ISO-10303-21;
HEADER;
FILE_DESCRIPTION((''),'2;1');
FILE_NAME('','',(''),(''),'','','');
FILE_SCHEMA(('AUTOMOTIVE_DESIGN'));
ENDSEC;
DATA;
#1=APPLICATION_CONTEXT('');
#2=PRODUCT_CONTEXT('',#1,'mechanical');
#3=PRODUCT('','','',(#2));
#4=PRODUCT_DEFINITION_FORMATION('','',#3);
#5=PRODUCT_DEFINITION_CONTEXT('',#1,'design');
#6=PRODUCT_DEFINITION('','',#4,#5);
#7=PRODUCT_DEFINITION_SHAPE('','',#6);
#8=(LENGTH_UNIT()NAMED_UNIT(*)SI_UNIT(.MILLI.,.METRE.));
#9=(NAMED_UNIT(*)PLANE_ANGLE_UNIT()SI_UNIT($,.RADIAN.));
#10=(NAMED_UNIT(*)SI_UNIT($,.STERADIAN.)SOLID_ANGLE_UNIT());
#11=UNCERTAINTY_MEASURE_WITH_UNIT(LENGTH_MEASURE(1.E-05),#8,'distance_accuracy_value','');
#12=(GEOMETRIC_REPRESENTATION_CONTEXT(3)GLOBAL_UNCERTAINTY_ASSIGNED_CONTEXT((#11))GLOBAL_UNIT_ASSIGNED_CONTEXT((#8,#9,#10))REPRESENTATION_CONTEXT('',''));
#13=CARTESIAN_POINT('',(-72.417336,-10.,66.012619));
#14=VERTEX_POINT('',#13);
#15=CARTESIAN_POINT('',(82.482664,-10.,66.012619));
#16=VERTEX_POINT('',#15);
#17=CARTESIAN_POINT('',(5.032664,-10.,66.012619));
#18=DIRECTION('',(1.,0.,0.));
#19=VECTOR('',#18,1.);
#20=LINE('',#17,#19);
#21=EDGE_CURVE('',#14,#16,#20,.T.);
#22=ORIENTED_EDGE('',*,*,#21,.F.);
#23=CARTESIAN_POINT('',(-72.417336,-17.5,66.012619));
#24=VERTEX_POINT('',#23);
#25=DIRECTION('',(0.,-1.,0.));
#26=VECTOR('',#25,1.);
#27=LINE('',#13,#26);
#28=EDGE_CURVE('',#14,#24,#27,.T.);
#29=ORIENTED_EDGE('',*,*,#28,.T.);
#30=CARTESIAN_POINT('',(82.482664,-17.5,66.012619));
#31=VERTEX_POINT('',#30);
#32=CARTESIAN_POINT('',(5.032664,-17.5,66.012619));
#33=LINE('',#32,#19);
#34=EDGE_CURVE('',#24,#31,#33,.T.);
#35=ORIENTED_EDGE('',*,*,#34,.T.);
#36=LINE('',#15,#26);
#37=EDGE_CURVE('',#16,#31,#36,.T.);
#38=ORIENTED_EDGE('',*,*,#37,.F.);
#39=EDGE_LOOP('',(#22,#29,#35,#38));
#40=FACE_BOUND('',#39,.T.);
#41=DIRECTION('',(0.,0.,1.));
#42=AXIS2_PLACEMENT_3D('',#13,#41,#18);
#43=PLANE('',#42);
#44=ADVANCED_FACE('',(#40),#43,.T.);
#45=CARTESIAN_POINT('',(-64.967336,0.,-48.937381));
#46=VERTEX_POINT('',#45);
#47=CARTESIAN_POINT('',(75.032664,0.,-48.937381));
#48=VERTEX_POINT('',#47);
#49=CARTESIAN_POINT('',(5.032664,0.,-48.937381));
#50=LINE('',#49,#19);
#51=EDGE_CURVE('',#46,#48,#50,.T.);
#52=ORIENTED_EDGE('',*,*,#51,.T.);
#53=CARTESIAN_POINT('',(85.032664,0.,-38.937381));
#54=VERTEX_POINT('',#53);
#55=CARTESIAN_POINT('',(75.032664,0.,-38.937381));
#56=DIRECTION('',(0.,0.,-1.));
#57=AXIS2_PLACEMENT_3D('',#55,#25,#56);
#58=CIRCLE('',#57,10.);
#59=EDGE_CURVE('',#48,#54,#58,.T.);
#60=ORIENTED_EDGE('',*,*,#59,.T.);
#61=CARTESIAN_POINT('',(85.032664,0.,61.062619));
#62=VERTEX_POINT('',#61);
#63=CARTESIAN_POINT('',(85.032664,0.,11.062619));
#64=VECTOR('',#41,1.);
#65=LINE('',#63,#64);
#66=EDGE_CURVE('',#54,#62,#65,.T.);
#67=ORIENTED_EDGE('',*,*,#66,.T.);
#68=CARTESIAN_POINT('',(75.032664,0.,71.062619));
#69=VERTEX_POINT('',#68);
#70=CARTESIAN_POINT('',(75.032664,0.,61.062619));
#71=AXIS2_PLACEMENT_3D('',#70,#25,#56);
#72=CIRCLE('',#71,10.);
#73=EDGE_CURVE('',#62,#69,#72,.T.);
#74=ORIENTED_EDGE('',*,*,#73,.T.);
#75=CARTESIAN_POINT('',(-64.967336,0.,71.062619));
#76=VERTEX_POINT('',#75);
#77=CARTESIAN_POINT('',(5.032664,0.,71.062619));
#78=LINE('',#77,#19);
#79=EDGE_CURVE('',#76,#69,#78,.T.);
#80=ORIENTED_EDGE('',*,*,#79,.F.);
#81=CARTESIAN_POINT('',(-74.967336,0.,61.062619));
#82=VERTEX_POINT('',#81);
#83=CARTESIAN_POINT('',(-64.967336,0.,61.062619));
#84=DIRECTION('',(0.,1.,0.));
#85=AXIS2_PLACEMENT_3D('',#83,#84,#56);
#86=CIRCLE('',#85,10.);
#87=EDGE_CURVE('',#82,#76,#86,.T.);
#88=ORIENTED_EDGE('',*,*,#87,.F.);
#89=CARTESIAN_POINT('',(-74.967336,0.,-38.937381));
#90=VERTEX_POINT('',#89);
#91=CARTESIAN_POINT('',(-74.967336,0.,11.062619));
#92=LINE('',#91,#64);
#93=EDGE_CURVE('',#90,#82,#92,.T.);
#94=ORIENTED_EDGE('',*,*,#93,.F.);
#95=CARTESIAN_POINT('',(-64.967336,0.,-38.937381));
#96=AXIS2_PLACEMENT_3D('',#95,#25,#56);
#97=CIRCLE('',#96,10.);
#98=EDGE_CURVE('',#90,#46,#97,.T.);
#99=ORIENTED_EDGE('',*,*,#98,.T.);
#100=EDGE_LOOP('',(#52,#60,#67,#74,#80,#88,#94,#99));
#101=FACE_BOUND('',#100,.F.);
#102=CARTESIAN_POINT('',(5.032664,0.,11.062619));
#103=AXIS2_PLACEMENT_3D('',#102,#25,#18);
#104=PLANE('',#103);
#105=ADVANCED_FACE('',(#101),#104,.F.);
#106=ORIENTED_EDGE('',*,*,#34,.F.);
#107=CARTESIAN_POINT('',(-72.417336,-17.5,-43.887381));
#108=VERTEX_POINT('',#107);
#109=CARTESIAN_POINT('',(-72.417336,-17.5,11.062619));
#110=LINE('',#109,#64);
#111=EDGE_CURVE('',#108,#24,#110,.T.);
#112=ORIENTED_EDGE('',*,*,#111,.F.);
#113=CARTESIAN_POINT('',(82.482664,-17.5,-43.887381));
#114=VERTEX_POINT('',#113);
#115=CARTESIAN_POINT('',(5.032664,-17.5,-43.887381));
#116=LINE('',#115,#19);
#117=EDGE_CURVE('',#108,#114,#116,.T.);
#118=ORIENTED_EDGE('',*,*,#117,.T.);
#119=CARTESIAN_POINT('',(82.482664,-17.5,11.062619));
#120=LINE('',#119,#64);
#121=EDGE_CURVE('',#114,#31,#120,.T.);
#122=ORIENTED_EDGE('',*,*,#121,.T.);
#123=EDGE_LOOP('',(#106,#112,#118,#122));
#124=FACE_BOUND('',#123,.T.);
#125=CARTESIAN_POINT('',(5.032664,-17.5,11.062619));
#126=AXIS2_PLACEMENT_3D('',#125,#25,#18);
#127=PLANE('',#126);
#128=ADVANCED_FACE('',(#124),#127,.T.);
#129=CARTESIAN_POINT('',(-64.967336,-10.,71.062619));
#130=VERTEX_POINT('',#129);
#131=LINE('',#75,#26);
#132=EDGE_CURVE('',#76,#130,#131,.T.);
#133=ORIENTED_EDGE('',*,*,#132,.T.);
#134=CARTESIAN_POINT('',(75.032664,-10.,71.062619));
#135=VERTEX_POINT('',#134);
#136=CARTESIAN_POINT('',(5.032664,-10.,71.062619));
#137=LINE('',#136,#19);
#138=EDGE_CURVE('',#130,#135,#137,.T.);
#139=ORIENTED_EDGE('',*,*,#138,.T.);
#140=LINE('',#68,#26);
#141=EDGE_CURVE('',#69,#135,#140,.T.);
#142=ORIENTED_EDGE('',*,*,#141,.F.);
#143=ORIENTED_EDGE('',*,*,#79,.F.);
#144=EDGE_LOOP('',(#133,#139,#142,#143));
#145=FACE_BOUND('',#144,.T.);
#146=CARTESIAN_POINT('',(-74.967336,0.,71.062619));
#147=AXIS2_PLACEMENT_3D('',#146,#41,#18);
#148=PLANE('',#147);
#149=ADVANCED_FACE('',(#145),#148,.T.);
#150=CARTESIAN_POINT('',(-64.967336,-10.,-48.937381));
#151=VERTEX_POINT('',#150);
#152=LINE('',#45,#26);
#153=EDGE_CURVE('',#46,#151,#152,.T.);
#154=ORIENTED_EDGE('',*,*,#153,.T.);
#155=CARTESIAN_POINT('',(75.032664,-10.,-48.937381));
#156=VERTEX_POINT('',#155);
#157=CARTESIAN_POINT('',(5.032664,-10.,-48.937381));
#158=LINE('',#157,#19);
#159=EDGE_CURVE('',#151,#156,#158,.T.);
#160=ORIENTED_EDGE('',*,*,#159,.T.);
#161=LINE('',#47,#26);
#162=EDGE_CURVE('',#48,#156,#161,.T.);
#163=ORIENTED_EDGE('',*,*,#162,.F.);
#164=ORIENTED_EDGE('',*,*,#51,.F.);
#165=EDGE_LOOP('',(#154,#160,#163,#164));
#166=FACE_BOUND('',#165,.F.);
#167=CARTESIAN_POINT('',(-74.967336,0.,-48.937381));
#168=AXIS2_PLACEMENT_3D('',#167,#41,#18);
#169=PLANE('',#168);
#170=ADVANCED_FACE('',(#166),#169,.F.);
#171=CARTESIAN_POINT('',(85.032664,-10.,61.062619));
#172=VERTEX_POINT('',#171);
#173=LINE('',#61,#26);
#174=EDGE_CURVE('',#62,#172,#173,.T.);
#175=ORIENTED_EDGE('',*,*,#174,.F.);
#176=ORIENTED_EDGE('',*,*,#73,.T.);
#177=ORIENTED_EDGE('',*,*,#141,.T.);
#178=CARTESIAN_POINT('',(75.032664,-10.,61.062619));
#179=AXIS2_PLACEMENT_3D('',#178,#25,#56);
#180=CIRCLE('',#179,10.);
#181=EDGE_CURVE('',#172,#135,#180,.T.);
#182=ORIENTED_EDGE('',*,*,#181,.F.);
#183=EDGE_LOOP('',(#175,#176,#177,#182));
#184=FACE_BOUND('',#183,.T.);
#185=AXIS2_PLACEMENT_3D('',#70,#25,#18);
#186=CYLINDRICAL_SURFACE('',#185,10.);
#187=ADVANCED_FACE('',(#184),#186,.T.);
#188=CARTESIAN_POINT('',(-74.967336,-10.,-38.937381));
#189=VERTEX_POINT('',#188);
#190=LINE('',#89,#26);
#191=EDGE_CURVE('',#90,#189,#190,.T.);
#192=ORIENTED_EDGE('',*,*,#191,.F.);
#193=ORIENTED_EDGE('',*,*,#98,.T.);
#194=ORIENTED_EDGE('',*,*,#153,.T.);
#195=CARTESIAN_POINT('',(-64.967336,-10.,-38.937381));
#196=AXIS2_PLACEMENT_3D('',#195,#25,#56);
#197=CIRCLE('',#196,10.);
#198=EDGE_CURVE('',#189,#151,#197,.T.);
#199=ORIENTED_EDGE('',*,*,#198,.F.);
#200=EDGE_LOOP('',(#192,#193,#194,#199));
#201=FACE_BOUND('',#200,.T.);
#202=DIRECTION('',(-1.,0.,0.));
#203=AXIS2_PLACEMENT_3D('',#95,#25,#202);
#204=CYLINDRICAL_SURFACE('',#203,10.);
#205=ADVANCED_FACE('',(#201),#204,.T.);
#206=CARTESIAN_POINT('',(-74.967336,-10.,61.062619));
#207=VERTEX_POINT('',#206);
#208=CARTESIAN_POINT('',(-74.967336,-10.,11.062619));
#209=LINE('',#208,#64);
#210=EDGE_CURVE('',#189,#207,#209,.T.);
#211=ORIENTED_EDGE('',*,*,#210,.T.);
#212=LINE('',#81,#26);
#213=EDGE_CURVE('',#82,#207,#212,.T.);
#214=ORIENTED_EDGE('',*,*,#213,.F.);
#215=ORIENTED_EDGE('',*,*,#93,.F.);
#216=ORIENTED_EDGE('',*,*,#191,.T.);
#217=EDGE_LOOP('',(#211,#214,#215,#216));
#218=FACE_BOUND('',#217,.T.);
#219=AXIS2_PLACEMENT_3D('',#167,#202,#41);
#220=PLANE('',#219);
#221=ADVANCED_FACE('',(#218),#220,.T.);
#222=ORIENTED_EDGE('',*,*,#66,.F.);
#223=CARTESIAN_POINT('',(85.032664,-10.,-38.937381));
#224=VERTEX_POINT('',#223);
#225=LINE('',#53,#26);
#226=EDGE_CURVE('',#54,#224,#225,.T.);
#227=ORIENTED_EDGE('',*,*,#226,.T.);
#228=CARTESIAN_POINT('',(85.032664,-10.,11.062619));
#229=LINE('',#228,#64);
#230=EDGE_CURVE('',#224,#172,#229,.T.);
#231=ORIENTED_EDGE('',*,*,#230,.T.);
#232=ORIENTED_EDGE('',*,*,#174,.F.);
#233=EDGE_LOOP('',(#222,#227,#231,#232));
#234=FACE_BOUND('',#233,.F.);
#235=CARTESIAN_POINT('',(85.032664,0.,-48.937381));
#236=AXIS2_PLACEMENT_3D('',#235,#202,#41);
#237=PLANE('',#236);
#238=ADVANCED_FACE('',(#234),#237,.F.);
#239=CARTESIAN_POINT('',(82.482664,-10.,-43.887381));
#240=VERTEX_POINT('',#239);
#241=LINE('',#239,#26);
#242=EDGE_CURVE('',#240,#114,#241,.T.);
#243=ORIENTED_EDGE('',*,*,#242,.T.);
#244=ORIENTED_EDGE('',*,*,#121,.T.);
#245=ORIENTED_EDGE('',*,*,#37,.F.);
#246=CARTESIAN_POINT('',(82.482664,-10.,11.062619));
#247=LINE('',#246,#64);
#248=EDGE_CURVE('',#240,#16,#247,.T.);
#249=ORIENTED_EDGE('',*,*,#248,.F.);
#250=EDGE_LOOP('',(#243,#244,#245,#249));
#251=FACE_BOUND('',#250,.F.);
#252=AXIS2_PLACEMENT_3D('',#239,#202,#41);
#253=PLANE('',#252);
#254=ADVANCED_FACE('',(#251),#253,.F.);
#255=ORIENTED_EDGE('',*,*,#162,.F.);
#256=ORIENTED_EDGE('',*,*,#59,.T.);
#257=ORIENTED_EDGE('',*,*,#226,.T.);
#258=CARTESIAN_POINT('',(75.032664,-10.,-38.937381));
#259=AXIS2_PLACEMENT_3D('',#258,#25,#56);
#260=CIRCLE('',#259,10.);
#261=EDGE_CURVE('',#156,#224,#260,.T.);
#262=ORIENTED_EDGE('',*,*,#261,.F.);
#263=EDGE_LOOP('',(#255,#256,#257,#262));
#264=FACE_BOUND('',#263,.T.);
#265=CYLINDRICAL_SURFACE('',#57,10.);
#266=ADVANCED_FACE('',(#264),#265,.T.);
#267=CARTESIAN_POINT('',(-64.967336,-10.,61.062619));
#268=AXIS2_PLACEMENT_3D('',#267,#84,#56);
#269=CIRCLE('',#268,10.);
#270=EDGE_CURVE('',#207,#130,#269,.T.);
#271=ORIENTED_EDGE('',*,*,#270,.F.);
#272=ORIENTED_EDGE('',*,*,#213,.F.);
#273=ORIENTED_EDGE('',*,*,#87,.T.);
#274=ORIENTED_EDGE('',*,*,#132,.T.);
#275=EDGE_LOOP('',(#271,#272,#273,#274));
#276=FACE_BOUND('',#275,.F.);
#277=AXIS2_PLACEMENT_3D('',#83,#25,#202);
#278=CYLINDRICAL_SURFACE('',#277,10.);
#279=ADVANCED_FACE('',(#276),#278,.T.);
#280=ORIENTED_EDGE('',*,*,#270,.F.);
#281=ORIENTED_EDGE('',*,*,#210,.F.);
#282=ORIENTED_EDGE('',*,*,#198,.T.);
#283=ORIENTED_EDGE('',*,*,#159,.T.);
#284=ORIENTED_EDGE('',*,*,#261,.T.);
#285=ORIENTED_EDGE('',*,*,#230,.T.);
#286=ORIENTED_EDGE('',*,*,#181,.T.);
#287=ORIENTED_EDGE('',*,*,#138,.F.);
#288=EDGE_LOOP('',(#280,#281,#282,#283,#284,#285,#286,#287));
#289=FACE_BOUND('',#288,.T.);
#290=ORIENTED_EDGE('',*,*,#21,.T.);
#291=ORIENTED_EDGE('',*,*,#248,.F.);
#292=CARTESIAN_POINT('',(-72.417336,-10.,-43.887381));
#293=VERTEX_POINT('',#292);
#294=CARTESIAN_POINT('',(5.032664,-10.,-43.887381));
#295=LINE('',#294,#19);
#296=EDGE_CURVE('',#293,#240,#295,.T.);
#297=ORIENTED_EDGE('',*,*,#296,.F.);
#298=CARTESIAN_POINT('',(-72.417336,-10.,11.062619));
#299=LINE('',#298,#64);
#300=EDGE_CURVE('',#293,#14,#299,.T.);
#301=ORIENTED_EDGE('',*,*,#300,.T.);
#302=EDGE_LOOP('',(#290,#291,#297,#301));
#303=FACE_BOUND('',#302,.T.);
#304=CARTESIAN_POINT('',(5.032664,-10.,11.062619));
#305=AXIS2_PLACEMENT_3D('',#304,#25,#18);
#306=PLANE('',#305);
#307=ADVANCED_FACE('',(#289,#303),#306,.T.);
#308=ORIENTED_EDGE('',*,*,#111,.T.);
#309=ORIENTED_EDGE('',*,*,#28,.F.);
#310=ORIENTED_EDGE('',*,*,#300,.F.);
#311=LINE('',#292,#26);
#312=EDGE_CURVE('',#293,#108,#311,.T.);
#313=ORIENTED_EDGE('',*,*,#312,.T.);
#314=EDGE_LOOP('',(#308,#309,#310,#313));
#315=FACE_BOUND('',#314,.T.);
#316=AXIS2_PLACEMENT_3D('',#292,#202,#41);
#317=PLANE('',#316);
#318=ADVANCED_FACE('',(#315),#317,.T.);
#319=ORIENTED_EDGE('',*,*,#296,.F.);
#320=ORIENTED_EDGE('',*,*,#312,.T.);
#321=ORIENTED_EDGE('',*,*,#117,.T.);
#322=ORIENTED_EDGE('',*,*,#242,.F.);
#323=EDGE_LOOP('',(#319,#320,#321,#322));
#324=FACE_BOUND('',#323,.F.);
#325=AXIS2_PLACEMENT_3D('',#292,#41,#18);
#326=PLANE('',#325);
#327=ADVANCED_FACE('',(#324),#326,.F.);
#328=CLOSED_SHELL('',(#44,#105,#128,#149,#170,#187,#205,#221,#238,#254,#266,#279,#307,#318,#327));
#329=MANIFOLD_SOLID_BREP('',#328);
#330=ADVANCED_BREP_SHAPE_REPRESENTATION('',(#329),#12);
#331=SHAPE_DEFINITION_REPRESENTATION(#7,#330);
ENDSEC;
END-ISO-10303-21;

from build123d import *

# Parameters (mm, degrees)
F0_W     = 160
F0_H     = 120
F1_DEPTH = 10
F2_R     = 10
F3_W     = 154.9
F3_H     = 109.9
F4_DEPTH = 7.5


with BuildPart() as f1:
    # F0 (on Front) → F1 (new body)
    with BuildSketch(Plane.XZ):
        with Locations((5.032664, 11.062619)):
            Rectangle(F0_W, F0_H)
    extrude(amount=F1_DEPTH)

    # F2
    f2_edges = [f1.edges().sort_by_distance(p)[0] for p in [
        (-74.967336, -5, 71.062619),
        (-74.967336, -5, -48.937381),
        (85.032664, -5, 71.062619),
        (85.032664, -5, -48.937381),
    ]]
    fillet(f2_edges, radius=F2_R)

    # F3 (on face) → F4 (join)
    with BuildSketch(Plane.XZ.offset(10)):
        with Locations((5.032664, 11.062619)):
            Rectangle(F3_W, F3_H)
    extrude(amount=F4_DEPTH)


solid = f1.part
